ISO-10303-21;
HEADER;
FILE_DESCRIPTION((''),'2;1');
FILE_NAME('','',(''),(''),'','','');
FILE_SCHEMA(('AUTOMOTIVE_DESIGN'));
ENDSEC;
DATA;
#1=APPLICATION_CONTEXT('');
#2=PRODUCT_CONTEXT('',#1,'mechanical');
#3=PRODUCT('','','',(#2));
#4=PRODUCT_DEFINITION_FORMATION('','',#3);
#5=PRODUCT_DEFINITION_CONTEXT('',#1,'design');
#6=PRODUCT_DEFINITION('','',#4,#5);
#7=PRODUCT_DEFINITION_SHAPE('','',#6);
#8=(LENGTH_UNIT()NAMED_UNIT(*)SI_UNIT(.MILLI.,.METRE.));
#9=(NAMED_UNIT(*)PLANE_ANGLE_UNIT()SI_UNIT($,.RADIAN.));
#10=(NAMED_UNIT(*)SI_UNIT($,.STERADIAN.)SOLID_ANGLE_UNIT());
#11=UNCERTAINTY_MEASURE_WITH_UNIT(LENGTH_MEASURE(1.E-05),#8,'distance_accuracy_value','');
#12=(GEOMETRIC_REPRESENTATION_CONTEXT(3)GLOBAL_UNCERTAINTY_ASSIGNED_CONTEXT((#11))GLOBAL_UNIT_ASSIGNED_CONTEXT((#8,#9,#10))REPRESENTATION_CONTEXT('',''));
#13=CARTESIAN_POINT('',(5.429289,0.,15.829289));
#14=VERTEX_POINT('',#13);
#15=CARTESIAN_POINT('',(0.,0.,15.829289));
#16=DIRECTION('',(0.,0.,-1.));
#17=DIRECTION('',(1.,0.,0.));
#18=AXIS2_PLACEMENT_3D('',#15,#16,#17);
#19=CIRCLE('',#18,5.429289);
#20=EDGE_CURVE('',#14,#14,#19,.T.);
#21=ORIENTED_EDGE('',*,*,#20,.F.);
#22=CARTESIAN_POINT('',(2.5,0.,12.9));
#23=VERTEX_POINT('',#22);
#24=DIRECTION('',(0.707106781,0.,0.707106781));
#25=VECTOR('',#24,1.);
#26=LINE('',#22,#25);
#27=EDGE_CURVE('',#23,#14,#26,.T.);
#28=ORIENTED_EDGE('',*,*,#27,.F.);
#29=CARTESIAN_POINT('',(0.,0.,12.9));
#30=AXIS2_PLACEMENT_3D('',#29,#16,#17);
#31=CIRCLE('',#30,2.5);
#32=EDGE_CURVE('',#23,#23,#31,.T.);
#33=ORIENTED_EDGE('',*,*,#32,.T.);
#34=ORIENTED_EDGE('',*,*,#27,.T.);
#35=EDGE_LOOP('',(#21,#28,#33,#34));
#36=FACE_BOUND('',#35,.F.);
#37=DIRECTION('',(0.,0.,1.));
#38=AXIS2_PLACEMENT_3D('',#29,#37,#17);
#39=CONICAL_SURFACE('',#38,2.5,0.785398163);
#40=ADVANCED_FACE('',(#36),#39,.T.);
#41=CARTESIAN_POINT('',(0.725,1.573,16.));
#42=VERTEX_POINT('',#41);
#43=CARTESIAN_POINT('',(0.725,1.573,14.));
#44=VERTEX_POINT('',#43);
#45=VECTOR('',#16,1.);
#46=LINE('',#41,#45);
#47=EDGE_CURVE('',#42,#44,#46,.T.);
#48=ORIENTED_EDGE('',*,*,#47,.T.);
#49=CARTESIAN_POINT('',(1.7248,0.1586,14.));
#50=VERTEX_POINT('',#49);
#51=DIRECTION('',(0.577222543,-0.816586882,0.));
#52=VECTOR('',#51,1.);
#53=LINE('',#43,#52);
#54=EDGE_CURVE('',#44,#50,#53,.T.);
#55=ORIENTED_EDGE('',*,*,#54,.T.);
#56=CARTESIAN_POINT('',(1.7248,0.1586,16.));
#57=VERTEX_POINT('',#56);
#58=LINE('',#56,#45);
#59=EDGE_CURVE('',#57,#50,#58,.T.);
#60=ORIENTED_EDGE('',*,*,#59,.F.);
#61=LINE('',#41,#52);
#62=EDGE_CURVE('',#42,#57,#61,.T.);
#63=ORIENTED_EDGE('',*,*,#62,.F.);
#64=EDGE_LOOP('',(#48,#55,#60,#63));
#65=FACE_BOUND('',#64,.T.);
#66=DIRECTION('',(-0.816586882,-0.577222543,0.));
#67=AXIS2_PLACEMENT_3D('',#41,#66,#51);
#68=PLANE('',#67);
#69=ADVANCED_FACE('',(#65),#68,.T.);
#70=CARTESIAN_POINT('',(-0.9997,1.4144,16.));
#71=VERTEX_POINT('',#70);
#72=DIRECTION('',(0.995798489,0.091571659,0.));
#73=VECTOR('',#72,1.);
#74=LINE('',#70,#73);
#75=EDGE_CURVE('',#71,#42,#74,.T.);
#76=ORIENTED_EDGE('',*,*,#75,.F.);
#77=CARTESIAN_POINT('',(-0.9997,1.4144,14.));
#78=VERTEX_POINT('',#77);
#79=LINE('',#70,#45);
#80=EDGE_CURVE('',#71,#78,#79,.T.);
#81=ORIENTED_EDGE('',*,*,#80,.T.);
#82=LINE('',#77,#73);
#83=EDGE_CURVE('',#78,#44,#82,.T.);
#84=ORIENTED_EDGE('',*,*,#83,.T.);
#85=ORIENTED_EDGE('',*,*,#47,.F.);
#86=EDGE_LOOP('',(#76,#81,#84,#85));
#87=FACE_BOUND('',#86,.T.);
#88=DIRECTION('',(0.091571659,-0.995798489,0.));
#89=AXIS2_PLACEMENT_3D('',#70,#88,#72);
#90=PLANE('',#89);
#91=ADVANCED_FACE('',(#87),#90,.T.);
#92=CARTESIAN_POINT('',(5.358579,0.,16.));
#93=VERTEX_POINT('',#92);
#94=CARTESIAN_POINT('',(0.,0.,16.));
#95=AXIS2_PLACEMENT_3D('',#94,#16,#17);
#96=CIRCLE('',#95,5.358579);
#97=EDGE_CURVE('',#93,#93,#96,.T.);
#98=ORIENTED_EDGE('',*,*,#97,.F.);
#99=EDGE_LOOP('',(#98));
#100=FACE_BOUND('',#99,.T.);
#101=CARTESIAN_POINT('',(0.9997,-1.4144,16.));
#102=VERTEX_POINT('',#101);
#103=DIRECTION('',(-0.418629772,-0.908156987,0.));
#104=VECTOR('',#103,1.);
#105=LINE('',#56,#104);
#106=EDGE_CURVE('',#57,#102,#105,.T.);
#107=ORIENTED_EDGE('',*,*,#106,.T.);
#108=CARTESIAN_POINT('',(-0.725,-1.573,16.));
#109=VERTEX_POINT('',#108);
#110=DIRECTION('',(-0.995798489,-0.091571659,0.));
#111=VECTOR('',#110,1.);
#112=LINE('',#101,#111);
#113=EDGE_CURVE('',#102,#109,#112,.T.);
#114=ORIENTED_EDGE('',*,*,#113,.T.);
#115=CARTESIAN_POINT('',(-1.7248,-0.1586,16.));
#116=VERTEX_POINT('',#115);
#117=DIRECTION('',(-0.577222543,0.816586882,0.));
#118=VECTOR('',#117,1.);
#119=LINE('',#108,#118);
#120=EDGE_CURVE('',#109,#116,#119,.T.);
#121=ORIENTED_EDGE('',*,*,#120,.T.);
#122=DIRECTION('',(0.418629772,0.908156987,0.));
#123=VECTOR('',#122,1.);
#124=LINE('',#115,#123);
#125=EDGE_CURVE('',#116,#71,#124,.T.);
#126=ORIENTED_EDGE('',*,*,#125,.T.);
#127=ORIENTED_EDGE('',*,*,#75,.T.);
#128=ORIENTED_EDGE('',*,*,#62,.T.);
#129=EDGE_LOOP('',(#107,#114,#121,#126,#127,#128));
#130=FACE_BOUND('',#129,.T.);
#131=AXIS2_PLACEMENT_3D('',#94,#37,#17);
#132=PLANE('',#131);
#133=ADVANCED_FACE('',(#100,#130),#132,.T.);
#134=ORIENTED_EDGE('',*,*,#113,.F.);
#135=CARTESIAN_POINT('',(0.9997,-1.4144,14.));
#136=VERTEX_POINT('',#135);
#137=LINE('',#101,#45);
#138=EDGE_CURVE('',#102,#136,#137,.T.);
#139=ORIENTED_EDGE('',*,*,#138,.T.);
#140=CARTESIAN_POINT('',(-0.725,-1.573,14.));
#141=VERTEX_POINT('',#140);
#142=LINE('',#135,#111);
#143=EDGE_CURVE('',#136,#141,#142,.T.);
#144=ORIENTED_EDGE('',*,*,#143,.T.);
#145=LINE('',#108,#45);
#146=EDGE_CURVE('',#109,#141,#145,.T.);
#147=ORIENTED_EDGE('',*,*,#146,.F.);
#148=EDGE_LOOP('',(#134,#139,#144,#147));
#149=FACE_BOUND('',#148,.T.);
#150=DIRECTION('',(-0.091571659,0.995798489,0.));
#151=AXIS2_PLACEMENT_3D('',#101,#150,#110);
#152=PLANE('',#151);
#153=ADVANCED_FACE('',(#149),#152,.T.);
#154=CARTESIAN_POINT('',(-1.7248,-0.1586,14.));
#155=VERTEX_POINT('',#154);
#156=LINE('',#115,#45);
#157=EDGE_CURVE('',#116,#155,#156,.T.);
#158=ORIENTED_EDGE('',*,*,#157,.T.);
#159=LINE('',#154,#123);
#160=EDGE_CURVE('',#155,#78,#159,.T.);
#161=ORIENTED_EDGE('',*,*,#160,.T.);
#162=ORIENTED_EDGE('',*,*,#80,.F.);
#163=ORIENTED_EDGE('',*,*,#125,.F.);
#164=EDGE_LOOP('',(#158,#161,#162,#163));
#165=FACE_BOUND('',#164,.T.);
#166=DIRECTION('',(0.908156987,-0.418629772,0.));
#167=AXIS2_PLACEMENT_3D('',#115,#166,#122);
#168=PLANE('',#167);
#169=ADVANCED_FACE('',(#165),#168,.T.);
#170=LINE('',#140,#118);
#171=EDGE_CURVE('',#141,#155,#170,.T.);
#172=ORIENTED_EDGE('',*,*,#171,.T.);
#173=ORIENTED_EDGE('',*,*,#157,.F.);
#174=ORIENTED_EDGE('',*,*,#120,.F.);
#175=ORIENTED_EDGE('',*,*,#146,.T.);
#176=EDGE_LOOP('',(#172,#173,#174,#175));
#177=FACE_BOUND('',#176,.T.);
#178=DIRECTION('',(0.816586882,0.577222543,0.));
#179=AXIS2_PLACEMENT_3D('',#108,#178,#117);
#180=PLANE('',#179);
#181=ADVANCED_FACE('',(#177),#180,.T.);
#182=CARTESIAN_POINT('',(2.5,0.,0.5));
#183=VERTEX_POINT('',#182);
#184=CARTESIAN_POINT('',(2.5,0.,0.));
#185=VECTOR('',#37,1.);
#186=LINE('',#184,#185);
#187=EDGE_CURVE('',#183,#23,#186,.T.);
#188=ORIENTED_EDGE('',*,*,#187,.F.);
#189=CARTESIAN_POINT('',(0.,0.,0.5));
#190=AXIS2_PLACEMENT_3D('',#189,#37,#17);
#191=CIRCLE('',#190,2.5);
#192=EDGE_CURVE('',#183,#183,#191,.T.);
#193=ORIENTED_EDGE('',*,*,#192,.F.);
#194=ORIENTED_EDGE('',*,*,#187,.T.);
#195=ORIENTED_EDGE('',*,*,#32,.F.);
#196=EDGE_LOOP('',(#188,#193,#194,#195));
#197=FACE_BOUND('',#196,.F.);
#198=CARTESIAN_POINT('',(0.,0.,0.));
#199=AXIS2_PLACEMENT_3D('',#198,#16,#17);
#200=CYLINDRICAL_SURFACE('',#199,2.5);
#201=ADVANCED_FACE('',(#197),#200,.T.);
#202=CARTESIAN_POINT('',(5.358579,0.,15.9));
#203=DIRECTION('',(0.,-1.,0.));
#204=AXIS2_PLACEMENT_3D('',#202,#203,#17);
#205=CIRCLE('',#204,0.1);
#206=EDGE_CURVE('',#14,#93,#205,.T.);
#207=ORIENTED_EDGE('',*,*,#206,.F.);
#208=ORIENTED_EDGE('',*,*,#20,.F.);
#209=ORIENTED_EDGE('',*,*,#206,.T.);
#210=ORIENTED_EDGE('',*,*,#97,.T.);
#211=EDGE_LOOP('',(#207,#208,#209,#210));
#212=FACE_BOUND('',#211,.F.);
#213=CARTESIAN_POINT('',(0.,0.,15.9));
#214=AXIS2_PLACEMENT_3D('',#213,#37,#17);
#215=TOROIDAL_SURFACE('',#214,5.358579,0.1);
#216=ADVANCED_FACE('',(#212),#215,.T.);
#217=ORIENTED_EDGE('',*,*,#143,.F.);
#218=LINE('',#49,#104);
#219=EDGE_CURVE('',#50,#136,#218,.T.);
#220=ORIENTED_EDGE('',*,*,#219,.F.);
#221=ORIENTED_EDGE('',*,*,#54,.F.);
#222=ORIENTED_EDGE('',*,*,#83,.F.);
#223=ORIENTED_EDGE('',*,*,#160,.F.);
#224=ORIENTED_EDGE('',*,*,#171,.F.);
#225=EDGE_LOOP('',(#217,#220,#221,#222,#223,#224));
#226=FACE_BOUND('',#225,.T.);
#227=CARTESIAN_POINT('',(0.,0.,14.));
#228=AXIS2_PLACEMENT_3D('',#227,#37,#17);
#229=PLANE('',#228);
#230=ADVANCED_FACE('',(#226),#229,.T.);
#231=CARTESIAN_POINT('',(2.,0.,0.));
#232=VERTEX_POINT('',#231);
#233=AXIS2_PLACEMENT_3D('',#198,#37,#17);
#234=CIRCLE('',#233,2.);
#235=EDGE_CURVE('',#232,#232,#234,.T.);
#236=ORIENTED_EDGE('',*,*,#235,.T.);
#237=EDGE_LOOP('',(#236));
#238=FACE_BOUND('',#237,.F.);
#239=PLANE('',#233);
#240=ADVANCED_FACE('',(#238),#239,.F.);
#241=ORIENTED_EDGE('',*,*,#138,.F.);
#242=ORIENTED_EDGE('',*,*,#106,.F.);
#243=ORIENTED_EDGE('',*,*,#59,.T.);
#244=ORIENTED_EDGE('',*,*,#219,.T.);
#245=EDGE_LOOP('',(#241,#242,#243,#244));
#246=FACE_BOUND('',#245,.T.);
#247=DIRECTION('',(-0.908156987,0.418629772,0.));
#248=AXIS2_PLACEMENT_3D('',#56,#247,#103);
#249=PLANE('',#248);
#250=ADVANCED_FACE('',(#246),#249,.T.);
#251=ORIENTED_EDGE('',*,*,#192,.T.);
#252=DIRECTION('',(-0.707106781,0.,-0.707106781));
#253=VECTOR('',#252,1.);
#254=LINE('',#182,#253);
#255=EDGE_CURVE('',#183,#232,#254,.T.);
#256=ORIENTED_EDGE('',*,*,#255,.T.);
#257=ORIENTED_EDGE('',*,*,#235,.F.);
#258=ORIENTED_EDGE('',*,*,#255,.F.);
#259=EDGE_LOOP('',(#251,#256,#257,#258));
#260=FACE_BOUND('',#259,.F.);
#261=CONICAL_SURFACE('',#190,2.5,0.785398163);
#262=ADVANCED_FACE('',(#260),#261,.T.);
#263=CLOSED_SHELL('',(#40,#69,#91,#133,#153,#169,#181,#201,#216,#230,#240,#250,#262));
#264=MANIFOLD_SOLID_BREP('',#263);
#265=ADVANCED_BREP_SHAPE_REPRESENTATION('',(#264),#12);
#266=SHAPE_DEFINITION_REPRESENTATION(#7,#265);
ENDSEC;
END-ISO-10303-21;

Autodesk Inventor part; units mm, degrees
ref_plane "YZ Plane" through (0, 0, 0) normal (1, 0, 0) x (0, 1, 0)
ref_plane "XZ Plane" through (0, 0, 0) normal (0, 1, 0) x (-1, 0, 0)
ref_plane "XY Plane" through (0, 0, 0) normal (0, 0, 1) x (1, 0, 0)
sketch "Sketch1" plane through (0, 0, 0) normal (0, 0, 1) x (1, 0, 0)
  circle A0 centre (0, 0) radius 2.5
  dimension "Diameter" = 5
extrude "Extrusion1" add sketch "Sketch1" along normal blind 12.9
sketch "Sketch2" plane through (0, 0, 12.9) normal (0, 0, 1) x (1, 0, 0)
  circle A0 centre (0, 0) radius 2.5 projected
extrude "Extrusion2" add sketch "Sketch2" along normal blind 3.1 draft 45
sketch "Sketch3" plane through (0, 0, 16) normal (0, 0, 1) x (1, 0, 0)
  circle A0 centre (0, 0) radius 5.6 projected
  circle A1 centre (0, 0) radius 1.7321 construction
  line L0 (0.725, 1.573) -> (1.7248, 0.1586)
  line L1 (1.7248, 0.1586) -> (0.9997, -1.4144)
  line L2 (0.9997, -1.4144) -> (-0.725, -1.573)
  line L3 (-0.725, -1.573) -> (-1.7248, -0.1586)
  line L4 (-1.7248, -0.1586) -> (-0.9997, 1.4144)
  line L5 (-0.9997, 1.4144) -> (0.725, 1.573)
  dimension "Hex_Width" = 3
extrude "Extrusion3" cut sketch "Sketch3" against normal blind 2 contours L0 L1 L2 L3 L4 L5
thread "Thread1" size "M5x0.8" class "4g6g" standard "ANSI Metric M Profile" length 12.9
chamfer "Chamfer2" distance 0.5 angle 45 1 edges at (-2.5, 0, 0)
fillet "Fillet1" radius 0.1 1 edges at (-5.6, 0, 16)
equation "\"d10\" = Thread_Length"
equation "\"d13\" = Chamfer"
equation "\"Thread_Length\" = 12.9"
equation "\"Length\" = 16"
equation "\"Chamfer\" = 0.5"
properties part number "SCREW, FLAT HD, P, 12.9, M5X0.8X16MM"
